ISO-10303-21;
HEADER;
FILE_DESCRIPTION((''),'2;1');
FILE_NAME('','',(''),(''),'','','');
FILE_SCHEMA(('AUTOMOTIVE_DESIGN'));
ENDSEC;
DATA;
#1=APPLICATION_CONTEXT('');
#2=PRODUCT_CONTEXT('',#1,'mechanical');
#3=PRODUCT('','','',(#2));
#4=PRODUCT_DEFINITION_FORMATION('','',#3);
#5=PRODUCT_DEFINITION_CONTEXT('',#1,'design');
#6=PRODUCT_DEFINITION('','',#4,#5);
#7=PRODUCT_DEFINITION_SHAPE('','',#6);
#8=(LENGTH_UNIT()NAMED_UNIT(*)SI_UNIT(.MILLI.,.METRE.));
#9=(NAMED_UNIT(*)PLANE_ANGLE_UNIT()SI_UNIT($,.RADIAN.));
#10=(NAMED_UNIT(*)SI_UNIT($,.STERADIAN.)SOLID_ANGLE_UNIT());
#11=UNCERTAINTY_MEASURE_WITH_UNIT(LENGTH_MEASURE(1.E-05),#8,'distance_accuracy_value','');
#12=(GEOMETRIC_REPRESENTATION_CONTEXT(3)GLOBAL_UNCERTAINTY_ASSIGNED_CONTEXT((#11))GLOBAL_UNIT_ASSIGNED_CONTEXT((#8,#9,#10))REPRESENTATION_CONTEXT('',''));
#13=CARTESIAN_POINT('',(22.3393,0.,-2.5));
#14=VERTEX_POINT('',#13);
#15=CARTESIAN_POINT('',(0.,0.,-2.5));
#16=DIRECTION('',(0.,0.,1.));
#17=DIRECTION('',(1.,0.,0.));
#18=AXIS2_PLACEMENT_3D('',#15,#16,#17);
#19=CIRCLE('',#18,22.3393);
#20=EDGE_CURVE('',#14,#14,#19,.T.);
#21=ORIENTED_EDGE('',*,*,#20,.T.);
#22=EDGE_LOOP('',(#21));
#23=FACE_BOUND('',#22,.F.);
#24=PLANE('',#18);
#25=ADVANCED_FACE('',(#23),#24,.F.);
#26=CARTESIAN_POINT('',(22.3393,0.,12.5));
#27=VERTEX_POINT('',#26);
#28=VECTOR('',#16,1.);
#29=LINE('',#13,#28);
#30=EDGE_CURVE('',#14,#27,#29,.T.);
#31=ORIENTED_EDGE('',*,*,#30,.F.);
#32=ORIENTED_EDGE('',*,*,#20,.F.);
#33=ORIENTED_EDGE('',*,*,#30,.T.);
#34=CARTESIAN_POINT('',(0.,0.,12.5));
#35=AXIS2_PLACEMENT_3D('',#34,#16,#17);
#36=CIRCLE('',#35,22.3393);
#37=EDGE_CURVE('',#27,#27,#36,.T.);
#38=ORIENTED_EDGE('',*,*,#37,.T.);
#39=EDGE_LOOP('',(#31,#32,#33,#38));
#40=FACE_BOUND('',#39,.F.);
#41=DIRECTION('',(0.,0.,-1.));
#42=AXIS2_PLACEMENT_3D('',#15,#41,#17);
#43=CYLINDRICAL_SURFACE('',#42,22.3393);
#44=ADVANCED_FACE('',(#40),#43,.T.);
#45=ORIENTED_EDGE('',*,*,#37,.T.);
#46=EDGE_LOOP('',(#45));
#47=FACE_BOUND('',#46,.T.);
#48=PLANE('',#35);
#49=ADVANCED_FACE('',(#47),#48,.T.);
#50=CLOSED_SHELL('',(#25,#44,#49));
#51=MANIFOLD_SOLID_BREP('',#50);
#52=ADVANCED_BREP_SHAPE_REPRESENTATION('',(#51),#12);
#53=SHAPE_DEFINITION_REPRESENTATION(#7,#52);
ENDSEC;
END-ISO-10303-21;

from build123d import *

# Parameters (mm, degrees)
CYLINDER_R     = 22.3393
CYLINDER_DEPTH = 15


with BuildPart() as part:
    # Cylinder → Cylinder (new body)
    with BuildSketch(Plane.XY.offset(-2.5)):
        Circle(CYLINDER_R)
    extrude(amount=CYLINDER_DEPTH)


solid = part.part
